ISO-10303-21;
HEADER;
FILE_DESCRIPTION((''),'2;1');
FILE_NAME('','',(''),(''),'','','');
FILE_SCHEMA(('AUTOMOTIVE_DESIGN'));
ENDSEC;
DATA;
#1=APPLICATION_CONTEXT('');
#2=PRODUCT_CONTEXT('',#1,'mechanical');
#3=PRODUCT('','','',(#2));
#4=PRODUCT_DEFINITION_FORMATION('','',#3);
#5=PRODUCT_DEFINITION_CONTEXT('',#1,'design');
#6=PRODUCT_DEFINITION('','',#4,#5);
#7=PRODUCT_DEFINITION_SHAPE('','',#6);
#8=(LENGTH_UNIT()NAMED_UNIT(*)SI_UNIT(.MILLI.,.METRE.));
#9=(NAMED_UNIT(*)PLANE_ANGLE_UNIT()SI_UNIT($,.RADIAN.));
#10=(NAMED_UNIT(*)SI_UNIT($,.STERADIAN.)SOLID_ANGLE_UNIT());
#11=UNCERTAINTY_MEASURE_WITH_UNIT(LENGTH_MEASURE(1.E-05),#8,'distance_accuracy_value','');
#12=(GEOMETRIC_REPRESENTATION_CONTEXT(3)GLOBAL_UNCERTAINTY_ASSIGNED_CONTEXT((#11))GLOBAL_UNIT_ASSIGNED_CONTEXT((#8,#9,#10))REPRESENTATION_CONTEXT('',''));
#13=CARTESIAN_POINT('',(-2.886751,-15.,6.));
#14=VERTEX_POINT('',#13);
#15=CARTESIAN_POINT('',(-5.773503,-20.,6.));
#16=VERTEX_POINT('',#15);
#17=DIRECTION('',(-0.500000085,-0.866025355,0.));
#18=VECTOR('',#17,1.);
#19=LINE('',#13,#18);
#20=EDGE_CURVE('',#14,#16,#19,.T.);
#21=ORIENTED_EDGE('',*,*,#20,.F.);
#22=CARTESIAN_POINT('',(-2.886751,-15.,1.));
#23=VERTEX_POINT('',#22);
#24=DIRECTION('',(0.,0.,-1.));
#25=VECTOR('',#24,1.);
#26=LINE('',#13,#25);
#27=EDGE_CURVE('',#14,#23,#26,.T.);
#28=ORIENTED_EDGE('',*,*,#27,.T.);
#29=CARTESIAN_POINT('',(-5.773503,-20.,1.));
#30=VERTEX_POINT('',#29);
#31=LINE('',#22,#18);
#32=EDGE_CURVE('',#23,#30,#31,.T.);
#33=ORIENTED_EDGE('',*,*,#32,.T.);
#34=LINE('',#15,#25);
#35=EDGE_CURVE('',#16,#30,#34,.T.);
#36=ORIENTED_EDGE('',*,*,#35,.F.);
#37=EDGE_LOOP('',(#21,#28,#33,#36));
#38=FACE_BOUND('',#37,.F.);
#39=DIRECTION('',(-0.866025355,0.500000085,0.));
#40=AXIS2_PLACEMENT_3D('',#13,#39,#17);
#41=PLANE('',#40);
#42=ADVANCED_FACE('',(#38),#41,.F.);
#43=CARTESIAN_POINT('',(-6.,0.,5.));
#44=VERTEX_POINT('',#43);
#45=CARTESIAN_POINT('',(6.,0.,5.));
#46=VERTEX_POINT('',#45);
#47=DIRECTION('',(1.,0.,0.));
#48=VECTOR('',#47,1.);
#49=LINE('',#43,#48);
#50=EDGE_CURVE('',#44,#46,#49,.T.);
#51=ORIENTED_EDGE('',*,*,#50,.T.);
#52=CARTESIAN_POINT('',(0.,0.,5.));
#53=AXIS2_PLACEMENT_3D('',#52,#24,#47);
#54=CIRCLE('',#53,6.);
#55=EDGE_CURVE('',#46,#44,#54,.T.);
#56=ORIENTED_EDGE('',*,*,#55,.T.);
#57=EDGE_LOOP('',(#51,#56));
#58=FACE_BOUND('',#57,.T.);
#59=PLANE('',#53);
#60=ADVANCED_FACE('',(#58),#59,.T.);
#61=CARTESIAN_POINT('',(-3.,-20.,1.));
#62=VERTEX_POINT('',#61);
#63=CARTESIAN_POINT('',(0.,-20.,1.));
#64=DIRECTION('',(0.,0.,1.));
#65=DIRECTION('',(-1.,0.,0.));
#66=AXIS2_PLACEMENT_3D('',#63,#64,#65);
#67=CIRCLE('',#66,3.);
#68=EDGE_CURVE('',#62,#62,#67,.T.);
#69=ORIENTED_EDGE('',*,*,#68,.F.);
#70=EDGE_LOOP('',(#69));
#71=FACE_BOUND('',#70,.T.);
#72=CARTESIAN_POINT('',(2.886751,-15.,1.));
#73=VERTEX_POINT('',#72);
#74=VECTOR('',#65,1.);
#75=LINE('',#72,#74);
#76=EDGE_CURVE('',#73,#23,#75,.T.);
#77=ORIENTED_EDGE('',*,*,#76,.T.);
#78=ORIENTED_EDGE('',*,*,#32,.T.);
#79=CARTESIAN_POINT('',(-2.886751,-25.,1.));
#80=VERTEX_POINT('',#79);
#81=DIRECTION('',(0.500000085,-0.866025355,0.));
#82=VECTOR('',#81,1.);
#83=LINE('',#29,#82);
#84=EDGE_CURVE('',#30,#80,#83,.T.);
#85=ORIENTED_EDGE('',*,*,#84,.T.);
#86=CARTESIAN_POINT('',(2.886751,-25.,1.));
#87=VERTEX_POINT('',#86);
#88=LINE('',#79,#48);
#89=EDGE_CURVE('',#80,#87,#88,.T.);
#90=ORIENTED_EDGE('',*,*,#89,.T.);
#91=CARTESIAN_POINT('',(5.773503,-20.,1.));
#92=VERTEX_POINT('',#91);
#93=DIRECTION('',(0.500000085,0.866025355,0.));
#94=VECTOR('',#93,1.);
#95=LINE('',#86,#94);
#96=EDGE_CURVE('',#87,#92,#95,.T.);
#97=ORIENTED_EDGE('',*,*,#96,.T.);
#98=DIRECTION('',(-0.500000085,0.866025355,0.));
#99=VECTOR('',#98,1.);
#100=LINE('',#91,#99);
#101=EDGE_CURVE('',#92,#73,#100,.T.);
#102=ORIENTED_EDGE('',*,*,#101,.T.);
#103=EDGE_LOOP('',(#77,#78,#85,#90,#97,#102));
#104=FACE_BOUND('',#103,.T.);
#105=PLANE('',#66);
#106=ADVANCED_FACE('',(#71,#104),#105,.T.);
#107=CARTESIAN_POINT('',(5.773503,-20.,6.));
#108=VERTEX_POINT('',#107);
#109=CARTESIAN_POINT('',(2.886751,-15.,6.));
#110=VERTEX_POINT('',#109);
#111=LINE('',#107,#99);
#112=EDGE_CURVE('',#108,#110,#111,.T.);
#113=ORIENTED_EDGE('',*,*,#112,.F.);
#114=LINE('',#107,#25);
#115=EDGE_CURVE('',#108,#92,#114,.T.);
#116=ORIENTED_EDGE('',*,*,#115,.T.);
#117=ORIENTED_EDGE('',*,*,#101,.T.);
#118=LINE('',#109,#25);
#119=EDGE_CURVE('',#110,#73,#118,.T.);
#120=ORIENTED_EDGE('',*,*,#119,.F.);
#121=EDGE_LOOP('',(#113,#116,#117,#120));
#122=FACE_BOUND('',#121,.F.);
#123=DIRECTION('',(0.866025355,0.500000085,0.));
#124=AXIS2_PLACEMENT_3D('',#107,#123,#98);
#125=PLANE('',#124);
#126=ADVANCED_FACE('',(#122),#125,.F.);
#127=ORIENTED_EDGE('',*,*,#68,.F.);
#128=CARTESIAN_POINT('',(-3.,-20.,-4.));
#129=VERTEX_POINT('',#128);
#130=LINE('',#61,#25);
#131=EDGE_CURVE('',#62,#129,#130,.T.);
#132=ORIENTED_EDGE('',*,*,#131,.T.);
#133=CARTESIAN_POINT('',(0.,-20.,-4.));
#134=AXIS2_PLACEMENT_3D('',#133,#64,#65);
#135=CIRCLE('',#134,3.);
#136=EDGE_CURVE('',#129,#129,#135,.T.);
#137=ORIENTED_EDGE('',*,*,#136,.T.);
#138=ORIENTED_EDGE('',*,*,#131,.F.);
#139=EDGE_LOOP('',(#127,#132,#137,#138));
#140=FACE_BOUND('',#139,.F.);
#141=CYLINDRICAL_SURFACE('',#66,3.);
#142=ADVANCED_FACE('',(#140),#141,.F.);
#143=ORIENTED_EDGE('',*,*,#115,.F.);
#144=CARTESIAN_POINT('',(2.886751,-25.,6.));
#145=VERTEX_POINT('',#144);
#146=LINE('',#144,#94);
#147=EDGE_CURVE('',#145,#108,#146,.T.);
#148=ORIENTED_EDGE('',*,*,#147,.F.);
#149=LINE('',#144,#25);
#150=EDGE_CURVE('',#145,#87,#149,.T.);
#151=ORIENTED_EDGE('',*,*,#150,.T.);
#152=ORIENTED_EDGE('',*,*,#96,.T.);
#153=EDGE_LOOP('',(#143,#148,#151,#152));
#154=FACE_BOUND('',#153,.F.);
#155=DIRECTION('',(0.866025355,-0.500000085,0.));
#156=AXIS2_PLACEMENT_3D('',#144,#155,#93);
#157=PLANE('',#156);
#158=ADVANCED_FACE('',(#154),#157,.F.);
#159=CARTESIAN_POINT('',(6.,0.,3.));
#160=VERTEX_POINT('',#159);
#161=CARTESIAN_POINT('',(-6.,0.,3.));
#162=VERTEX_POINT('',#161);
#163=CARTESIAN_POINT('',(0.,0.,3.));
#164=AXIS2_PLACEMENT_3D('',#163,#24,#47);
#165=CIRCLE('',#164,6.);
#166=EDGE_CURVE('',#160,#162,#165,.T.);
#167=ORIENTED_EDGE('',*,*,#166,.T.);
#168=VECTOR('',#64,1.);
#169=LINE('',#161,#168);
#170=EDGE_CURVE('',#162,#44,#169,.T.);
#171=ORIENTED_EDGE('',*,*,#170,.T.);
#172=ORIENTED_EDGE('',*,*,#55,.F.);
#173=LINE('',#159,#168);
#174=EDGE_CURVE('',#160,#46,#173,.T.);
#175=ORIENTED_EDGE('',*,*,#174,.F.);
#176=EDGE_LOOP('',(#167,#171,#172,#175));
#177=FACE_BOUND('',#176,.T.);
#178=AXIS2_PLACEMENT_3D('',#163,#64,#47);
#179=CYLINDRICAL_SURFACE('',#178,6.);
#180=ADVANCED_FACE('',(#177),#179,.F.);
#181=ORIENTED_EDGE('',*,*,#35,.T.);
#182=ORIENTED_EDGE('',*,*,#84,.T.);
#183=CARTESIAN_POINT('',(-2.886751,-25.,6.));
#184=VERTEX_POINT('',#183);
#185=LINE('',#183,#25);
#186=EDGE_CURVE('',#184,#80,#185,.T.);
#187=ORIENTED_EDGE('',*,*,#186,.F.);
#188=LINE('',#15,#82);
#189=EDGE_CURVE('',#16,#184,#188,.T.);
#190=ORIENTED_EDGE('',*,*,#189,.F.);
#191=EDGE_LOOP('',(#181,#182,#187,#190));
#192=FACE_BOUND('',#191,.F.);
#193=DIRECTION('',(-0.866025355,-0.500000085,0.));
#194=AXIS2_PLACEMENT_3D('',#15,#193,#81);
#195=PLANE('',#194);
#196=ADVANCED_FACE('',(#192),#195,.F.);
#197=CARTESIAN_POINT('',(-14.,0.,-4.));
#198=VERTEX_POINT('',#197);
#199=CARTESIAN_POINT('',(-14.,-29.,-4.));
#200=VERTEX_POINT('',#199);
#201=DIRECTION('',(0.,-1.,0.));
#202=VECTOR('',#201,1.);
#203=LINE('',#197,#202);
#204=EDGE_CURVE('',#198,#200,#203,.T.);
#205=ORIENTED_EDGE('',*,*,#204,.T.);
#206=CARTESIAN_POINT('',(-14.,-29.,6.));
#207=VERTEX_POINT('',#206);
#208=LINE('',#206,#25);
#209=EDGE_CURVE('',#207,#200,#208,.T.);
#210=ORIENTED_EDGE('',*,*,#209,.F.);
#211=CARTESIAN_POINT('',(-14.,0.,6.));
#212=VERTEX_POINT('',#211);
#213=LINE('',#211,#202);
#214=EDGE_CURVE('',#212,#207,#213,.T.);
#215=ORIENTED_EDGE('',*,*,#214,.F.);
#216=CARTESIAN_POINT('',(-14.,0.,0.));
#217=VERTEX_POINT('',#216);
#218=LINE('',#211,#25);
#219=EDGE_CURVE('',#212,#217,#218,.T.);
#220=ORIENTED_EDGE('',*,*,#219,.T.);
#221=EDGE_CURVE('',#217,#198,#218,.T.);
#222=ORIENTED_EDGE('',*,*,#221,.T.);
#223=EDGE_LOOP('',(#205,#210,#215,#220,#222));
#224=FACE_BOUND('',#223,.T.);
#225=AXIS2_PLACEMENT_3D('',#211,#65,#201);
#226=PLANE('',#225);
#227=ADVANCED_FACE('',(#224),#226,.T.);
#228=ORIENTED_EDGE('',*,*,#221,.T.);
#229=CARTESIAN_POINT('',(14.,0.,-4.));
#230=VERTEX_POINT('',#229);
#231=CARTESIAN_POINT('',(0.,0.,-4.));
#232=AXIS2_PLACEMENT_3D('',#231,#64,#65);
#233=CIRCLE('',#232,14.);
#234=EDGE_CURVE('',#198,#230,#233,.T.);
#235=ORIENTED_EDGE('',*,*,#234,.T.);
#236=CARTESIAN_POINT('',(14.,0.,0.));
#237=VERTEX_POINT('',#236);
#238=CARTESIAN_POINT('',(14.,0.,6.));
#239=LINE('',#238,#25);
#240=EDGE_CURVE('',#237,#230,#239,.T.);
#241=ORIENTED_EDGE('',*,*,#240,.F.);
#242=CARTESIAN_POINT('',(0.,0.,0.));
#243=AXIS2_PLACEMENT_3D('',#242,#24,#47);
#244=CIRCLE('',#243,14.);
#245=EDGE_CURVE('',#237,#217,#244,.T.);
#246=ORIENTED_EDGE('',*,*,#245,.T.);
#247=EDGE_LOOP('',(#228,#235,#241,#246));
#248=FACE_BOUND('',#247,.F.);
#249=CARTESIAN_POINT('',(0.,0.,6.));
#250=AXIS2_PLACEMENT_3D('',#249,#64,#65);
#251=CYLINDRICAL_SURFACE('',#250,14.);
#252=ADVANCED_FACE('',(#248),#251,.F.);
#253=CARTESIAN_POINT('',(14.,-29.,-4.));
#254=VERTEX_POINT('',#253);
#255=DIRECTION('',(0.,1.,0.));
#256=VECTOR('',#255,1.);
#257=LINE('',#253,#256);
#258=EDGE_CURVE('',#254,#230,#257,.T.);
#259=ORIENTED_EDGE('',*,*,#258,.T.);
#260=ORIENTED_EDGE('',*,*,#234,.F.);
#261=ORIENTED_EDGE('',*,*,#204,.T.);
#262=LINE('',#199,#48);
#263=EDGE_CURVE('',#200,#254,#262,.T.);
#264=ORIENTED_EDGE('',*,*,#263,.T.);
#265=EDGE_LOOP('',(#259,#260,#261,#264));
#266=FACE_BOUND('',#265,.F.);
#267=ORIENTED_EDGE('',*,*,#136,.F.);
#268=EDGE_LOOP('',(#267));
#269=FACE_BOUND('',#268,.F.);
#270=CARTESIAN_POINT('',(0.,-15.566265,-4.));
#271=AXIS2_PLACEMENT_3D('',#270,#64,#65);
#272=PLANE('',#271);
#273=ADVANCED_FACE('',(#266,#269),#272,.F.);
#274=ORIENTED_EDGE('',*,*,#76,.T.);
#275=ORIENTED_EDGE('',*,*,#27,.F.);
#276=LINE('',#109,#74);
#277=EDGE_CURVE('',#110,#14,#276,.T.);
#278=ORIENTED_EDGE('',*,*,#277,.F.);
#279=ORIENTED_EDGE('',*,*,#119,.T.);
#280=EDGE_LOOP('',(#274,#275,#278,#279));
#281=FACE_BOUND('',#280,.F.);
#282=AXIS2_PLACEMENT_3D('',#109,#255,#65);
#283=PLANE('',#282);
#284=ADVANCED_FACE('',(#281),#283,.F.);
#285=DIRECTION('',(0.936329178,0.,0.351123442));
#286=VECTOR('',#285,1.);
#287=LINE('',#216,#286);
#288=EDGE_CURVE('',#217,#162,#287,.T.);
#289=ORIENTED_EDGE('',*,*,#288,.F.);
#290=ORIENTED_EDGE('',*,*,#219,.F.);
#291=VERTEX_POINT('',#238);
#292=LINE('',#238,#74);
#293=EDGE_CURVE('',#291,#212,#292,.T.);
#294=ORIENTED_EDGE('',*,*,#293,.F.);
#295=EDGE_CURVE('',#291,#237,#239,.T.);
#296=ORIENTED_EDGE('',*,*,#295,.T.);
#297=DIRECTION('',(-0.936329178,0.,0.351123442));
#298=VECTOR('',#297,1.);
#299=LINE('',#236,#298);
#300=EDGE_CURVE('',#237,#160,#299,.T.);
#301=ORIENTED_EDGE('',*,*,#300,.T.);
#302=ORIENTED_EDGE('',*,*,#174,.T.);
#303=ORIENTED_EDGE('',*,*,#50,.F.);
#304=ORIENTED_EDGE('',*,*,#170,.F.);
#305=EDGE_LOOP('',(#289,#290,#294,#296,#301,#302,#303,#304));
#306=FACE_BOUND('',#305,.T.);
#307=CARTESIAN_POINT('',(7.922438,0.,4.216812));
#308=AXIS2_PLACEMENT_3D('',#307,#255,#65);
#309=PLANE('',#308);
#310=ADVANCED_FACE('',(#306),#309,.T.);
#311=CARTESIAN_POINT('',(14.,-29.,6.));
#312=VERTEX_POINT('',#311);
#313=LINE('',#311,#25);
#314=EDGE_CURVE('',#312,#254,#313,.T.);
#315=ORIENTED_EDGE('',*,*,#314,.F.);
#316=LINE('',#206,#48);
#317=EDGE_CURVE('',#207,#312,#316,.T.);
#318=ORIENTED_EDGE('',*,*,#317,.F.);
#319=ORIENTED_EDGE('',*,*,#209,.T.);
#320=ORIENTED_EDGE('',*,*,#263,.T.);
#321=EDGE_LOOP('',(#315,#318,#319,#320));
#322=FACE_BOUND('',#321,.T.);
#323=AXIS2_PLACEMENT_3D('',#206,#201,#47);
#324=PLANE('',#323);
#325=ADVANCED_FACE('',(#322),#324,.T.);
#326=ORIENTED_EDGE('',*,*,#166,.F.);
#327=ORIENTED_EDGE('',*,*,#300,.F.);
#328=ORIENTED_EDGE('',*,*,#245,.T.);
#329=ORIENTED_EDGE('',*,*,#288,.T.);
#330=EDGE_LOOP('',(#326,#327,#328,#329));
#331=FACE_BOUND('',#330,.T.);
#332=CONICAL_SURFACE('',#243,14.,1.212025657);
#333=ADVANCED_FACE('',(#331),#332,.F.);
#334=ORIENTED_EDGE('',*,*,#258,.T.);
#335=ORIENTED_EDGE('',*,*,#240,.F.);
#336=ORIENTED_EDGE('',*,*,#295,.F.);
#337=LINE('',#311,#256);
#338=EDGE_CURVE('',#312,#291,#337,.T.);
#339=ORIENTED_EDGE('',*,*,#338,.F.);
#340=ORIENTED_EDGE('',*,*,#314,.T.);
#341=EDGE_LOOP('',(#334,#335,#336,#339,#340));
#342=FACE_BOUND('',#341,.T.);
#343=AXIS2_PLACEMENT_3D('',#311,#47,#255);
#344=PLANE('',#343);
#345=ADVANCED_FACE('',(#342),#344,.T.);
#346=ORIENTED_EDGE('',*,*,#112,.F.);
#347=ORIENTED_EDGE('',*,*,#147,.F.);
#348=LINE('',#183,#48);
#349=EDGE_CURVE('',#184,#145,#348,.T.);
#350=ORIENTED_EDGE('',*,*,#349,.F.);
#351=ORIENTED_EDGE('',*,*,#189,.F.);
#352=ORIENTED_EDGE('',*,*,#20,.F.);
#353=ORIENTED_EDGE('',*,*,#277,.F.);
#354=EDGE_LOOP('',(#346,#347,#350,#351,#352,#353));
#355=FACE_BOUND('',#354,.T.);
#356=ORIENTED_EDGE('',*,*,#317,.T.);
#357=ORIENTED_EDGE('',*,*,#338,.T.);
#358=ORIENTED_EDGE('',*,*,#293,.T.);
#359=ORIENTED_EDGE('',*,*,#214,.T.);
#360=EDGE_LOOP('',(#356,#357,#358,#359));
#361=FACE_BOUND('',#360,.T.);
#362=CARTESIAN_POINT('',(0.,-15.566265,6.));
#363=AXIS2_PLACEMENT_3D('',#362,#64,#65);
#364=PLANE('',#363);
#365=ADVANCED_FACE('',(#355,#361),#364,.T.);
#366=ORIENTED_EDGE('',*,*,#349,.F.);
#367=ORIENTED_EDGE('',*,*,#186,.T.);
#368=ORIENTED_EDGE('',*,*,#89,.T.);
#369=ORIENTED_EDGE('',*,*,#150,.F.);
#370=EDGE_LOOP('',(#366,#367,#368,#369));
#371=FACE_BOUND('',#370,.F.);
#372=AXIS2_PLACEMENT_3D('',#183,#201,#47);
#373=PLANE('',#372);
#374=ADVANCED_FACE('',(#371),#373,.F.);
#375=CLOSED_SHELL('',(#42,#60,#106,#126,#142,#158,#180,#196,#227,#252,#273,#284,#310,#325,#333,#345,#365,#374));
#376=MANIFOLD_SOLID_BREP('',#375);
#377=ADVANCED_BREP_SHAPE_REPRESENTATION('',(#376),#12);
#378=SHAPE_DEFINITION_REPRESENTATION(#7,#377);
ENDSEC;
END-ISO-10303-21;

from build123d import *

# Parameters (mm, degrees)
REVOLUTION_ANGLE = -180
PAD011_DEPTH     = 10
POCKET002_DEPTH  = 5
SKETCH020_R      = 3
POCKET003_DEPTH  = 5


with BuildPart() as part:
    # Sketch017 → Revolution (revolve)
    with BuildSketch(Plane.XZ):
        Polygon((14, 0), (6, 3), (6, 5), (0, 5), (0, 6), (14, 6), align=None)
    revolve(axis=Axis((0, 0, 0), (0, 0, 1)), revolution_arc=REVOLUTION_ANGLE)

    # Sketch018 (on Face4 of Revolution) → Pad011 (new body)
    with BuildSketch(Plane(origin=(0, 0, 6), x_dir=(-1, 0, 0), z_dir=(0, 0, 1))):
        with BuildLine():
            Line((14, 0), (14, 29))
            Line((14, 29), (-14, 29))
            Line((-14, 29), (-14, 0))
            ThreePointArc((14, 0), (0, 14), (-14, 0))
        make_face()
    extrude(amount=-PAD011_DEPTH)

    # Sketch019 (on Face12 of Pad011) → Pocket002 (cut)
    with BuildSketch(Plane(origin=(0, 0, 6), x_dir=(-1, 0, 0), z_dir=(0, 0, 1))):
        Polygon((5.773503, 20), (2.886751, 25), (-2.886751, 25), (-5.773503, 20), (-2.886751, 15), (2.886751, 15), align=None)
    extrude(amount=-POCKET002_DEPTH, mode=Mode.SUBTRACT)

    # Sketch020 (on Face19 of Pocket002) → Pocket003 (cut)
    with BuildSketch(Plane(origin=(0, 0, 1), x_dir=(-1, 0, 0), z_dir=(0, 0, 1))):
        with Locations((0, 20)):
            Circle(SKETCH020_R)
    extrude(amount=-POCKET003_DEPTH, mode=Mode.SUBTRACT)


solid = part.part
